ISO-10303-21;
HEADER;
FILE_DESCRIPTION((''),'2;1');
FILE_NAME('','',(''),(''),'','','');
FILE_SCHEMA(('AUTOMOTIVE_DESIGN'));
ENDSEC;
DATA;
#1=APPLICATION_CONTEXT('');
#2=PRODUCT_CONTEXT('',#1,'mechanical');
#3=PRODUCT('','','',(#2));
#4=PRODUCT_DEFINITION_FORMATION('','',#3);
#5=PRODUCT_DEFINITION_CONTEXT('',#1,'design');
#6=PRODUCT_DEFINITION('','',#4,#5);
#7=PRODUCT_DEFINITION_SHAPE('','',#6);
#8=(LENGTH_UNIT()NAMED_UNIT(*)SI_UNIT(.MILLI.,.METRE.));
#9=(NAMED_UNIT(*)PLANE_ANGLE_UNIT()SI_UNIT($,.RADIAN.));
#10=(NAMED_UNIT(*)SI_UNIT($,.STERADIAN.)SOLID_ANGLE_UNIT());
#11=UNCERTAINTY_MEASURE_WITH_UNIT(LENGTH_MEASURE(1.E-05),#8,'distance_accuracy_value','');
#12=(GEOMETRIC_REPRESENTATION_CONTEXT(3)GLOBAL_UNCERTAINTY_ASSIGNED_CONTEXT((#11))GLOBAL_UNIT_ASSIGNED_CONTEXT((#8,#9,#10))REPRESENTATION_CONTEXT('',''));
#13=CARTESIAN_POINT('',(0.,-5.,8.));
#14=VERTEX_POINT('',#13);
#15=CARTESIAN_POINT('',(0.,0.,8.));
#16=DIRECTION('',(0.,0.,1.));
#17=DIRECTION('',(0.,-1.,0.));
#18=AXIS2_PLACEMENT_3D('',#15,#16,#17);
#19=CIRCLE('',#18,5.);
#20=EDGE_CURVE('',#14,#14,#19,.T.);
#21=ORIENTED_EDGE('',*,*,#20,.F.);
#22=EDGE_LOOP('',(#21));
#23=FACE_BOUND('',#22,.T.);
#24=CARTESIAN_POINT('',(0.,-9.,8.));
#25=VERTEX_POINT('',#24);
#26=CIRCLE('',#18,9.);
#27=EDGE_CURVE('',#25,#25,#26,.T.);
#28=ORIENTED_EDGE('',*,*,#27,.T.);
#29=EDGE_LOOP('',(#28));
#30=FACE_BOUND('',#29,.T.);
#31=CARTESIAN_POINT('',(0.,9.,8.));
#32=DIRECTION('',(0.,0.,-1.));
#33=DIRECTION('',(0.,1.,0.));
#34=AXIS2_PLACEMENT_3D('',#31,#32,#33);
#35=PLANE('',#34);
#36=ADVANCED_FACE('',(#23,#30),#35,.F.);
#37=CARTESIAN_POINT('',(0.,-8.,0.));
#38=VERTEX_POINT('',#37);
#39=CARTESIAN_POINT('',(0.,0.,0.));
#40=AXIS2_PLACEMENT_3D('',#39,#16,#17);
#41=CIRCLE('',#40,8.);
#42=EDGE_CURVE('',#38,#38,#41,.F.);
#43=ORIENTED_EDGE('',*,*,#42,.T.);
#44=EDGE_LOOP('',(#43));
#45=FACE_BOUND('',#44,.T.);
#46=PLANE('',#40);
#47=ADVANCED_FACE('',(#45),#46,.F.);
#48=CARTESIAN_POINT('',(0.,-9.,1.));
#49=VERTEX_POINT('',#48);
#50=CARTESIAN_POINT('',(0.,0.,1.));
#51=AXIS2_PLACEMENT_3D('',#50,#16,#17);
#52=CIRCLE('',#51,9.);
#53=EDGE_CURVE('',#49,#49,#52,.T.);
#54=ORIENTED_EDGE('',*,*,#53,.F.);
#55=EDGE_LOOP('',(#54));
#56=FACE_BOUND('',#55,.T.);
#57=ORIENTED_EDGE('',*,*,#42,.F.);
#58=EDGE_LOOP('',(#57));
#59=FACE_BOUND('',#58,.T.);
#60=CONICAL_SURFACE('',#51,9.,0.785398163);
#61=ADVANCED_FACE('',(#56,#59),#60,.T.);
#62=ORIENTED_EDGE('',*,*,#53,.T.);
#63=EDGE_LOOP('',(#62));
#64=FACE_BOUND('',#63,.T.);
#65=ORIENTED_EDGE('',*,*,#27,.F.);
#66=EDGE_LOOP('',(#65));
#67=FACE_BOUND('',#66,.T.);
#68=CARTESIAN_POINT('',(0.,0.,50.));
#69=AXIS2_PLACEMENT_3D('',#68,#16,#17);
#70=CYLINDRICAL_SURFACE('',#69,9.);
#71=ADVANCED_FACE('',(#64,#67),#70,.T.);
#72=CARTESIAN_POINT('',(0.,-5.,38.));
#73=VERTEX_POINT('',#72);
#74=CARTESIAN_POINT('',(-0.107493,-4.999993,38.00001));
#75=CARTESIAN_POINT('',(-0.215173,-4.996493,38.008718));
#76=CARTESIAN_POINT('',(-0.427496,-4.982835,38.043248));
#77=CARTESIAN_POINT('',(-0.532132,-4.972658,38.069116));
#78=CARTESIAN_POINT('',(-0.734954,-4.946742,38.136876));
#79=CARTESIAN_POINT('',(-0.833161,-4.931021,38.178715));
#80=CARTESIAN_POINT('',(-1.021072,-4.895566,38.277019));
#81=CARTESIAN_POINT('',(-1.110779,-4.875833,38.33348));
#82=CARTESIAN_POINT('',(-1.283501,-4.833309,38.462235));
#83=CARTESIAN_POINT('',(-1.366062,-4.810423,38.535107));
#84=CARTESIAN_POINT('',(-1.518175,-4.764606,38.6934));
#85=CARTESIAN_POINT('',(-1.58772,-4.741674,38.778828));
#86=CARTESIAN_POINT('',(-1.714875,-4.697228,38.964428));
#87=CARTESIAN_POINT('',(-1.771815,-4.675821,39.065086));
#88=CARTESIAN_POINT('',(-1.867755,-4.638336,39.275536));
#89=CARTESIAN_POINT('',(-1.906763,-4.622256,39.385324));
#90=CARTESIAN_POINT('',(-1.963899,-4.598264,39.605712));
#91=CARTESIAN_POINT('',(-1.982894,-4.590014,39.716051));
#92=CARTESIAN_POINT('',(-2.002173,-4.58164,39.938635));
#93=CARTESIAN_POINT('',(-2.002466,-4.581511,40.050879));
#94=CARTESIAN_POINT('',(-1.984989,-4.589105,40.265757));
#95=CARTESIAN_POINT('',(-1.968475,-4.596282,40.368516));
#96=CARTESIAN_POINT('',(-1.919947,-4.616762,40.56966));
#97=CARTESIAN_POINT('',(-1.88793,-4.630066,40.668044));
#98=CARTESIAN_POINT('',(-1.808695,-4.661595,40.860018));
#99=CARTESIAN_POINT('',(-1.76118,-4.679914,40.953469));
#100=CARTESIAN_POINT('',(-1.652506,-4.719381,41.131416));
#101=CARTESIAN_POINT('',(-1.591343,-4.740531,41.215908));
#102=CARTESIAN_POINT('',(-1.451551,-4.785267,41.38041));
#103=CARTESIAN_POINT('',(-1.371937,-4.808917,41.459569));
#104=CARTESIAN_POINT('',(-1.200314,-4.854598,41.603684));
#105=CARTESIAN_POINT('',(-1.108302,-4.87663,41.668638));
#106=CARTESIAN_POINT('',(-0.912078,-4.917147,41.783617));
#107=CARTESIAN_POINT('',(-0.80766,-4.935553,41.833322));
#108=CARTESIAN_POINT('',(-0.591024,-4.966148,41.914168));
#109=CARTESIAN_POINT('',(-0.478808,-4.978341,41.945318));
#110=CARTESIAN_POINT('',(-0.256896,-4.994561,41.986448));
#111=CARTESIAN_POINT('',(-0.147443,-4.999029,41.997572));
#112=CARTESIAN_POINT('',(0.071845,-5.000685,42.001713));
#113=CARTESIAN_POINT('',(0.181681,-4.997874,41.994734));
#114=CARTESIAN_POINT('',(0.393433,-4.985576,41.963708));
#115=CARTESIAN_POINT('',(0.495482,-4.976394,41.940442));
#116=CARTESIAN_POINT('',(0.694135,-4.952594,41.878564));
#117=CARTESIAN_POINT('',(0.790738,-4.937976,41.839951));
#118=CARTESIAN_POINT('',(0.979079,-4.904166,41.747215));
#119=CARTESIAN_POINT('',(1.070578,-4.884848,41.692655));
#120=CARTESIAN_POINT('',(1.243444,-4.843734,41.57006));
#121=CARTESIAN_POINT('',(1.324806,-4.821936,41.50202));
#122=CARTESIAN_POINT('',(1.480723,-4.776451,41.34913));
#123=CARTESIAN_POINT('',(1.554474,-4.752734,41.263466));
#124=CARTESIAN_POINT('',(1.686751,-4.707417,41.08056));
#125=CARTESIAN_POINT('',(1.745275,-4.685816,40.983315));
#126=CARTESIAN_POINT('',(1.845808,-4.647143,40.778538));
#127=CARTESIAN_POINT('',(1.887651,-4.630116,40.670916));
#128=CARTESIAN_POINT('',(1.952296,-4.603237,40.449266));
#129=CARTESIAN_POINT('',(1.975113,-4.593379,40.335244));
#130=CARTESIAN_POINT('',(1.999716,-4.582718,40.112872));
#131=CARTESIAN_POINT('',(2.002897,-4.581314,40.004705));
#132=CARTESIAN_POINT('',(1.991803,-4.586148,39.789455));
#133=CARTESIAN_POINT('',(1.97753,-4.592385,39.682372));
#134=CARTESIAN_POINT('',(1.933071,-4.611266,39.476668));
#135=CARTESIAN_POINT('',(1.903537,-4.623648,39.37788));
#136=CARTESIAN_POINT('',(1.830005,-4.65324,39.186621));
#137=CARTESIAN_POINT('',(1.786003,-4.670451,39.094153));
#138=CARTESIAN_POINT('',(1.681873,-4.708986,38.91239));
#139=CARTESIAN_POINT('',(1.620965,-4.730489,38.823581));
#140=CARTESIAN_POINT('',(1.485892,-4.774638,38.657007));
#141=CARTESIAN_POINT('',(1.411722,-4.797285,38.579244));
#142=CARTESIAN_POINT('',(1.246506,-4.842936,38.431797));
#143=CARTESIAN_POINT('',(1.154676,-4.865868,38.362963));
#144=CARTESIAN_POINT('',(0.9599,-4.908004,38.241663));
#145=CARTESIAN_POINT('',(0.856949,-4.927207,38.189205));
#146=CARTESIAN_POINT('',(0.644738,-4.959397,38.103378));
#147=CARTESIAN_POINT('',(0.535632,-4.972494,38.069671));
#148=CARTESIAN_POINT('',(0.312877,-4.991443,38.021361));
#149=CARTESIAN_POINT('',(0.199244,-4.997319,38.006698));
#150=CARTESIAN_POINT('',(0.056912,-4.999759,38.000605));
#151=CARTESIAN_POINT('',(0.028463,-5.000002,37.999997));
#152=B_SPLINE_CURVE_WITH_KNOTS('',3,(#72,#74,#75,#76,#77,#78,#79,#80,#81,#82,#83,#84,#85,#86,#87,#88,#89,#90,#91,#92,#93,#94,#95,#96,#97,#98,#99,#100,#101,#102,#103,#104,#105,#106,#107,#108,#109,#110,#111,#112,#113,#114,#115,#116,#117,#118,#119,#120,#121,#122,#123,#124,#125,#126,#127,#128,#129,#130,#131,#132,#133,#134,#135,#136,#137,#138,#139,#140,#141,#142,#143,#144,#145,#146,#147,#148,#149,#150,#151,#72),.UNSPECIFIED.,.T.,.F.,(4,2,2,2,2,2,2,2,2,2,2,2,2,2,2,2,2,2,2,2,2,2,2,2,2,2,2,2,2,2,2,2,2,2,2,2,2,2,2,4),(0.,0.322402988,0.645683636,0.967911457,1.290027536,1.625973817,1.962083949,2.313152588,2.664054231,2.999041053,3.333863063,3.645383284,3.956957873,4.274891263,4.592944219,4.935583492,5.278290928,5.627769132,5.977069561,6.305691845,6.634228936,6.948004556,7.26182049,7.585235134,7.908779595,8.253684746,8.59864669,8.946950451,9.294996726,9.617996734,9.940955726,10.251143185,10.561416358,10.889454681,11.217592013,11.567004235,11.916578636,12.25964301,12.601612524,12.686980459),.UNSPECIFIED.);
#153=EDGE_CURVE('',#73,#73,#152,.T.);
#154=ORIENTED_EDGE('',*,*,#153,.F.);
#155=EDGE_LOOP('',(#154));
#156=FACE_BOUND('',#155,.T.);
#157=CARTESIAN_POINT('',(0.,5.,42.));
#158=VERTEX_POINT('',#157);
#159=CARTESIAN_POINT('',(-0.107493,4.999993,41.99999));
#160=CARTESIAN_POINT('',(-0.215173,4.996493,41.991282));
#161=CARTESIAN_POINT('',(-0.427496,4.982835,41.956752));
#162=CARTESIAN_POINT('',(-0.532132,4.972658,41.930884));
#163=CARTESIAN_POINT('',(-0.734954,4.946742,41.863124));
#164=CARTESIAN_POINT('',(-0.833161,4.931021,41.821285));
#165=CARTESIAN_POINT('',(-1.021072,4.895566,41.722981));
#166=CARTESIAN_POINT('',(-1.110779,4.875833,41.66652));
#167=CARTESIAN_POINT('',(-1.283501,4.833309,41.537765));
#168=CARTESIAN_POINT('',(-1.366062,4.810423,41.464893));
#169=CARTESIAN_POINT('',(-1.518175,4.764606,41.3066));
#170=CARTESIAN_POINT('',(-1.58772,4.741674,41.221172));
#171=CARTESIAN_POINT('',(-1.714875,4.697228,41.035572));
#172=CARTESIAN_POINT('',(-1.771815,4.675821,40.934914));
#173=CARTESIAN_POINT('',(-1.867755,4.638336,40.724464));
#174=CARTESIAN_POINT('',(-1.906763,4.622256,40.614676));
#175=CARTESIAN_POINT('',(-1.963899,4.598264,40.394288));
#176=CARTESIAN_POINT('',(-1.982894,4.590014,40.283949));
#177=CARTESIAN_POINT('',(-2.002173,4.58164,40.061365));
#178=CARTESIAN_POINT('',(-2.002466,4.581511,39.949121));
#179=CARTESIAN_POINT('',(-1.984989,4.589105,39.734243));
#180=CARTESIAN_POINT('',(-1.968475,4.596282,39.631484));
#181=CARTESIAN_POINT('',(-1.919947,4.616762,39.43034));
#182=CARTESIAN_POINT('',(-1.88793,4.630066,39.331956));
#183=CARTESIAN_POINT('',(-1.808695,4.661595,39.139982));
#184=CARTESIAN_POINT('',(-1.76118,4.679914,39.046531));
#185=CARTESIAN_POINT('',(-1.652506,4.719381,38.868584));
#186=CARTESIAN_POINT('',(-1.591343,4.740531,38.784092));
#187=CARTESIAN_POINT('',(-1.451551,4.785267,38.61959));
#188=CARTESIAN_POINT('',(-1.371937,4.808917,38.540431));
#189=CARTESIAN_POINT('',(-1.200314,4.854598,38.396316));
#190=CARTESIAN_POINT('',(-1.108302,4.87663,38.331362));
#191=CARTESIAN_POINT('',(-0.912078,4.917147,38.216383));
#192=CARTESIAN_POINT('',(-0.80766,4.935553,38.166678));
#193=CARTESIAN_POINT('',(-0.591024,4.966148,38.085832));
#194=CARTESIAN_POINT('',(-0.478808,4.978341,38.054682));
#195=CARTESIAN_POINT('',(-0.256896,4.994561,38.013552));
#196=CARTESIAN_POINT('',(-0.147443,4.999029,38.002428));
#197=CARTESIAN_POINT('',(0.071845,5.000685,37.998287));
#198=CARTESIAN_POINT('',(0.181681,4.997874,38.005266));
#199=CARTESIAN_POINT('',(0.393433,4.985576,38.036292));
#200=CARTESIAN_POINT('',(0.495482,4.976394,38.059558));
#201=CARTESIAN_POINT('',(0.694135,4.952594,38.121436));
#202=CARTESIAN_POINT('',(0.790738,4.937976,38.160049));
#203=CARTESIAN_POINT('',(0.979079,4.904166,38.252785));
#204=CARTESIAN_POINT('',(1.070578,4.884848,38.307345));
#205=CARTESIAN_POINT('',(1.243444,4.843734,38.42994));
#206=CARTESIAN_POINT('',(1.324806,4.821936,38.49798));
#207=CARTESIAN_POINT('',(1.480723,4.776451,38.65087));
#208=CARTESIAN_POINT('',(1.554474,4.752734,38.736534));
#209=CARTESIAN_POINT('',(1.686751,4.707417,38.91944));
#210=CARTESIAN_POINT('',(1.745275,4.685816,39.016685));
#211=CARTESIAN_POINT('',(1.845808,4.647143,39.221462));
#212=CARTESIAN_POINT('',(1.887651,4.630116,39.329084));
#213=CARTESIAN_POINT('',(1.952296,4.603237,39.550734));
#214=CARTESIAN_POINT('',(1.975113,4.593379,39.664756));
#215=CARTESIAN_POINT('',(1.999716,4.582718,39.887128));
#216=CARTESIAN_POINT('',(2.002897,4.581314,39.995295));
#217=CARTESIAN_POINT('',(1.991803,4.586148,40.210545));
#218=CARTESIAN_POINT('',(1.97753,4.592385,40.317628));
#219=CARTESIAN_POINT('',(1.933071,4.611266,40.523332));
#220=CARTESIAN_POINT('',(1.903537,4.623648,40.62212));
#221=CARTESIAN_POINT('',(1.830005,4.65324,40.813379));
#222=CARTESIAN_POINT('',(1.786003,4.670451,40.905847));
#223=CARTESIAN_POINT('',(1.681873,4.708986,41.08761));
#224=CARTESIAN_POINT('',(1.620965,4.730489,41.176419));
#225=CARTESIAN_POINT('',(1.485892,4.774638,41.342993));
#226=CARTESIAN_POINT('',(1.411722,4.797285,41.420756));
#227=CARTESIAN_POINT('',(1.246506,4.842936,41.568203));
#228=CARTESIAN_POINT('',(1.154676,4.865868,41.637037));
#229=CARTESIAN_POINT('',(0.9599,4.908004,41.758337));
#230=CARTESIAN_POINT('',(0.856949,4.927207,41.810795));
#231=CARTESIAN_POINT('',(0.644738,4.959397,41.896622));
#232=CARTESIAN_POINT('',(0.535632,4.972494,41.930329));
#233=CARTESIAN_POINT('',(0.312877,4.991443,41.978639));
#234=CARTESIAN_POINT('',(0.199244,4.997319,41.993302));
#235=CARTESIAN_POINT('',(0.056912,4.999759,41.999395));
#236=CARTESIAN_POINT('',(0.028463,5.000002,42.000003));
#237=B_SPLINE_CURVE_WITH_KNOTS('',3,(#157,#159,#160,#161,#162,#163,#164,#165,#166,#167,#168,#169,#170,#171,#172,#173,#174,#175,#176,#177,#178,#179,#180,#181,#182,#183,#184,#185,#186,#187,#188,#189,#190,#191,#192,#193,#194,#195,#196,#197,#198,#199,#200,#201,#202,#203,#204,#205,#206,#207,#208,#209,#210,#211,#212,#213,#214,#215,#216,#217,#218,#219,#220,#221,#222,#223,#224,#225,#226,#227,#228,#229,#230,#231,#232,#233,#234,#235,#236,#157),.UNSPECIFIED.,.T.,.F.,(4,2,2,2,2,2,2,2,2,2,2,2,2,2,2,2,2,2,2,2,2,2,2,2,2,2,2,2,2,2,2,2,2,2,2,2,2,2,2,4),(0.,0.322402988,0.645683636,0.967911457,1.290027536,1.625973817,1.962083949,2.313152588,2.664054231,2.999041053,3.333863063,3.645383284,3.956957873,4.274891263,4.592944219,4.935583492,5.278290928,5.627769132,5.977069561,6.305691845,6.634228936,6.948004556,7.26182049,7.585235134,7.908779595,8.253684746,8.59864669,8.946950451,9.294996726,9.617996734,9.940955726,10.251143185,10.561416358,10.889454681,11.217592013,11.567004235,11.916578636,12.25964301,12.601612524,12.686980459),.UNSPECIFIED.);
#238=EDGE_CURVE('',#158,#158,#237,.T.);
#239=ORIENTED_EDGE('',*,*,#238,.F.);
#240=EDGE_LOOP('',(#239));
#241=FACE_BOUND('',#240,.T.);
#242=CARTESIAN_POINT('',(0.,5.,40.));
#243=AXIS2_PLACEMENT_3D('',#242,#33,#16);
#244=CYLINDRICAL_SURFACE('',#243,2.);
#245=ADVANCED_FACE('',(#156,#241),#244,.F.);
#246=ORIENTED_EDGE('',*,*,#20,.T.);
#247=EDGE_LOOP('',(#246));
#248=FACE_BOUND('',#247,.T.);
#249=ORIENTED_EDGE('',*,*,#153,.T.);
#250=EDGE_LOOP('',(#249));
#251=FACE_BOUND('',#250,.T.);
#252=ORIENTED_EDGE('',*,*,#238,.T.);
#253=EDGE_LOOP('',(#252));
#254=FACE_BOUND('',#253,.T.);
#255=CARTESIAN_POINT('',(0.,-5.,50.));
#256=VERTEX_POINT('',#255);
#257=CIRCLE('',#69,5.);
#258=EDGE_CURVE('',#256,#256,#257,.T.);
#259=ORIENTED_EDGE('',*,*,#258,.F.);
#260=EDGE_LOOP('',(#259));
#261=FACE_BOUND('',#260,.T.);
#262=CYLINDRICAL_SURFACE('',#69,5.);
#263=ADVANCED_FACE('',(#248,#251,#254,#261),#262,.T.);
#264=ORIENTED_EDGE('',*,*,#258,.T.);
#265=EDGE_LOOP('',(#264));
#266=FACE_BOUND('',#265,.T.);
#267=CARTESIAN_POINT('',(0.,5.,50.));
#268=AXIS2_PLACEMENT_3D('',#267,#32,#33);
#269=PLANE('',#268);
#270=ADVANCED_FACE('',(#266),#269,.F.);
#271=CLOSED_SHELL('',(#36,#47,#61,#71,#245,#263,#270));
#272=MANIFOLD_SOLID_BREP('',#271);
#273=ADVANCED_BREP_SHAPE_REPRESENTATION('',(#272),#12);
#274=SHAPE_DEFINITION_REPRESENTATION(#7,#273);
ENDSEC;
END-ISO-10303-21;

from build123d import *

# Parameters (mm, degrees)
MM_1_D         = 4
CHAMFER_1_SIZE = 1


with BuildPart() as part:
    # 草图1 → 旋转1 (revolve)
    with BuildSketch(Plane(origin=(0, 0, 0), x_dir=(0, 0, -1), z_dir=(1, 0, 0)), mode=Mode.PRIVATE) as revolve_1_sk:
        Polygon((0, 0), (0, 9), (-8, 9), (-8, 5), (-50, 5), (-50, 0), align=None)
    revolve(revolve_1_sk.sketch.rotate(Axis((0, 0, 50), (0, 0, -1)), 180), axis=Axis((0, 0, 50), (0, 0, -1)))

    # 大小mm 暗销孔1 (through all)
    with Locations(Plane(origin=(0, 5, 40), x_dir=(1, 0, 0), z_dir=(0, 1, 0))):
        with Locations((0, 0)):
            Hole(MM_1_D / 2)

    # 倒角1
    chamfer_1_edges = [part.edges().sort_by_distance(p)[0] for p in [
        (0, 9, 0),
    ]]
    chamfer(chamfer_1_edges, length=CHAMFER_1_SIZE)


solid = part.part
